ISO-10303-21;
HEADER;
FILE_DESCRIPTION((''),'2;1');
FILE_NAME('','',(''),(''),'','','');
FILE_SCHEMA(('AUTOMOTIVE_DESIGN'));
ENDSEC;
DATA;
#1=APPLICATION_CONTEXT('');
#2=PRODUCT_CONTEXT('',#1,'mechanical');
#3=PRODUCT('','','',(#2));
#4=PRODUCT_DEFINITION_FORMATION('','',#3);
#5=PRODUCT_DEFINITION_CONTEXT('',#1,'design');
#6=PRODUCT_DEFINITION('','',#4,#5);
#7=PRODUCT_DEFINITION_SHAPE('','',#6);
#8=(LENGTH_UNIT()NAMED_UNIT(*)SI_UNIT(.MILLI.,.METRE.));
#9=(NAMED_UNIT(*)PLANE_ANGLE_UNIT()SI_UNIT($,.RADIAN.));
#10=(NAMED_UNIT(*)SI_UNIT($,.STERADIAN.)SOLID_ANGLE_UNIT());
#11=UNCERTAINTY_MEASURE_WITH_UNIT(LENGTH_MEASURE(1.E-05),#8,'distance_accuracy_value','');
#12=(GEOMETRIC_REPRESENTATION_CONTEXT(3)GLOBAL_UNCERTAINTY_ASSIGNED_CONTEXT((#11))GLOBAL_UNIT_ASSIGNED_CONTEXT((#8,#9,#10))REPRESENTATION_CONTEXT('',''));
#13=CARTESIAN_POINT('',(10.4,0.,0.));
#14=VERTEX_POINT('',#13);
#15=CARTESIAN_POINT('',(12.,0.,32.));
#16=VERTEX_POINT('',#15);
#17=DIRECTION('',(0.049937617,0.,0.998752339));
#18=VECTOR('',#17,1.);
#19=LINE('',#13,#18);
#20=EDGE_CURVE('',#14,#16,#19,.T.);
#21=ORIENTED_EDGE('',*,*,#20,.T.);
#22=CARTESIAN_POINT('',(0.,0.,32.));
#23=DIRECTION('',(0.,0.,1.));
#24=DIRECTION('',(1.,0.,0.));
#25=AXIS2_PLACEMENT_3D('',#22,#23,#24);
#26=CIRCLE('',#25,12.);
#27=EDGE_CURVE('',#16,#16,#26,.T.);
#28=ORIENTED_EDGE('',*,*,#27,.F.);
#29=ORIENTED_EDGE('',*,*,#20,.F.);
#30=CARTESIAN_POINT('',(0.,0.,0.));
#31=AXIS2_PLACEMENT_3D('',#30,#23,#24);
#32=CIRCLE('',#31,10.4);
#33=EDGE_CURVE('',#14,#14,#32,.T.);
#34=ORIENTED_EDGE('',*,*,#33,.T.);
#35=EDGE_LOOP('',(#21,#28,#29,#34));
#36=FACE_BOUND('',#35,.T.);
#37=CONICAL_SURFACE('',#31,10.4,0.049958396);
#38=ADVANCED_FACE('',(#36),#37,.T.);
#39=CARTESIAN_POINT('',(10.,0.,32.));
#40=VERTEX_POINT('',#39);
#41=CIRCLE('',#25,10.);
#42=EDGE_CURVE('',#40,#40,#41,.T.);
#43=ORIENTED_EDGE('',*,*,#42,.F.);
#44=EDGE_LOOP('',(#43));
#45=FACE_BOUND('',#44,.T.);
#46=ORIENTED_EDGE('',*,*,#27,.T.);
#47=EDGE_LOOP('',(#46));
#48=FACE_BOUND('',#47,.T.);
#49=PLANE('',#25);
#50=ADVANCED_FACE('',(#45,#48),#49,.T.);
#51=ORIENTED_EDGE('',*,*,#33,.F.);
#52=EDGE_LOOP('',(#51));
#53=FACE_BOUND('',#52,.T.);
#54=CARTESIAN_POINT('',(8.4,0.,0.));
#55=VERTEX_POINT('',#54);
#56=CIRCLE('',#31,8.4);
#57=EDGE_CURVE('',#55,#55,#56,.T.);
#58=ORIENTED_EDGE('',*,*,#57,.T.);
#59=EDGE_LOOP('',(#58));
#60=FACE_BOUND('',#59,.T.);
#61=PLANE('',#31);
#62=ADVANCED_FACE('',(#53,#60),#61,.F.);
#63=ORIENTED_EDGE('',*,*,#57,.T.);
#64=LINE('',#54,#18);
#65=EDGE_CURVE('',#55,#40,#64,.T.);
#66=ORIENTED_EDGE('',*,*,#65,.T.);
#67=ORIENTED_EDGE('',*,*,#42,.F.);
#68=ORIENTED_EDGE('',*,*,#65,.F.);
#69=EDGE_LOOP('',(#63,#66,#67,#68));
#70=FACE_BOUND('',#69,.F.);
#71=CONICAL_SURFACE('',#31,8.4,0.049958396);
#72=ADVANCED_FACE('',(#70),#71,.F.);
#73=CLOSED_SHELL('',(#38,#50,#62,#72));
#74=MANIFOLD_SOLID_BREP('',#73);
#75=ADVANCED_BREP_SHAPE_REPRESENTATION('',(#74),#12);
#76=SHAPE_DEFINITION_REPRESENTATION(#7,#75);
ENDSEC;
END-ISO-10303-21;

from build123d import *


with BuildPart() as cone001:
    # Cone001 → Cone001 (revolve)
    with BuildSketch(Plane.XZ):
        Polygon((0, 0), (8.4, 0), (10, 32), (0, 32), align=None)
    revolve(axis=Axis((0, 0, 0), (0, 0, 1)))


with BuildPart() as groundzone:
    # Cone002 → Cone002 (revolve)
    with BuildSketch(Plane(origin=(0, 0, 2), x_dir=(1, 0, 0), z_dir=(0, -1, 0))):
        Polygon((0, 0), (10.5, 0), (11.9, 28), (0, 28), align=None)
    revolve(axis=Axis((0, 0, 2), (0, 0, 1)))


with BuildPart() as is383_joint:
    # Cone → Cone (revolve)
    with BuildSketch(Plane.XZ):
        Polygon((0, 0), (10.4, 0), (12, 32), (0, 32), align=None)
    revolve(axis=Axis((0, 0, 0), (0, 0, 1)))

    # Fusion: union GroundZone
    add(groundzone.part)

    # Cut: cut Cone001
    add(cone001.part, mode=Mode.SUBTRACT)


solid = is383_joint.part
